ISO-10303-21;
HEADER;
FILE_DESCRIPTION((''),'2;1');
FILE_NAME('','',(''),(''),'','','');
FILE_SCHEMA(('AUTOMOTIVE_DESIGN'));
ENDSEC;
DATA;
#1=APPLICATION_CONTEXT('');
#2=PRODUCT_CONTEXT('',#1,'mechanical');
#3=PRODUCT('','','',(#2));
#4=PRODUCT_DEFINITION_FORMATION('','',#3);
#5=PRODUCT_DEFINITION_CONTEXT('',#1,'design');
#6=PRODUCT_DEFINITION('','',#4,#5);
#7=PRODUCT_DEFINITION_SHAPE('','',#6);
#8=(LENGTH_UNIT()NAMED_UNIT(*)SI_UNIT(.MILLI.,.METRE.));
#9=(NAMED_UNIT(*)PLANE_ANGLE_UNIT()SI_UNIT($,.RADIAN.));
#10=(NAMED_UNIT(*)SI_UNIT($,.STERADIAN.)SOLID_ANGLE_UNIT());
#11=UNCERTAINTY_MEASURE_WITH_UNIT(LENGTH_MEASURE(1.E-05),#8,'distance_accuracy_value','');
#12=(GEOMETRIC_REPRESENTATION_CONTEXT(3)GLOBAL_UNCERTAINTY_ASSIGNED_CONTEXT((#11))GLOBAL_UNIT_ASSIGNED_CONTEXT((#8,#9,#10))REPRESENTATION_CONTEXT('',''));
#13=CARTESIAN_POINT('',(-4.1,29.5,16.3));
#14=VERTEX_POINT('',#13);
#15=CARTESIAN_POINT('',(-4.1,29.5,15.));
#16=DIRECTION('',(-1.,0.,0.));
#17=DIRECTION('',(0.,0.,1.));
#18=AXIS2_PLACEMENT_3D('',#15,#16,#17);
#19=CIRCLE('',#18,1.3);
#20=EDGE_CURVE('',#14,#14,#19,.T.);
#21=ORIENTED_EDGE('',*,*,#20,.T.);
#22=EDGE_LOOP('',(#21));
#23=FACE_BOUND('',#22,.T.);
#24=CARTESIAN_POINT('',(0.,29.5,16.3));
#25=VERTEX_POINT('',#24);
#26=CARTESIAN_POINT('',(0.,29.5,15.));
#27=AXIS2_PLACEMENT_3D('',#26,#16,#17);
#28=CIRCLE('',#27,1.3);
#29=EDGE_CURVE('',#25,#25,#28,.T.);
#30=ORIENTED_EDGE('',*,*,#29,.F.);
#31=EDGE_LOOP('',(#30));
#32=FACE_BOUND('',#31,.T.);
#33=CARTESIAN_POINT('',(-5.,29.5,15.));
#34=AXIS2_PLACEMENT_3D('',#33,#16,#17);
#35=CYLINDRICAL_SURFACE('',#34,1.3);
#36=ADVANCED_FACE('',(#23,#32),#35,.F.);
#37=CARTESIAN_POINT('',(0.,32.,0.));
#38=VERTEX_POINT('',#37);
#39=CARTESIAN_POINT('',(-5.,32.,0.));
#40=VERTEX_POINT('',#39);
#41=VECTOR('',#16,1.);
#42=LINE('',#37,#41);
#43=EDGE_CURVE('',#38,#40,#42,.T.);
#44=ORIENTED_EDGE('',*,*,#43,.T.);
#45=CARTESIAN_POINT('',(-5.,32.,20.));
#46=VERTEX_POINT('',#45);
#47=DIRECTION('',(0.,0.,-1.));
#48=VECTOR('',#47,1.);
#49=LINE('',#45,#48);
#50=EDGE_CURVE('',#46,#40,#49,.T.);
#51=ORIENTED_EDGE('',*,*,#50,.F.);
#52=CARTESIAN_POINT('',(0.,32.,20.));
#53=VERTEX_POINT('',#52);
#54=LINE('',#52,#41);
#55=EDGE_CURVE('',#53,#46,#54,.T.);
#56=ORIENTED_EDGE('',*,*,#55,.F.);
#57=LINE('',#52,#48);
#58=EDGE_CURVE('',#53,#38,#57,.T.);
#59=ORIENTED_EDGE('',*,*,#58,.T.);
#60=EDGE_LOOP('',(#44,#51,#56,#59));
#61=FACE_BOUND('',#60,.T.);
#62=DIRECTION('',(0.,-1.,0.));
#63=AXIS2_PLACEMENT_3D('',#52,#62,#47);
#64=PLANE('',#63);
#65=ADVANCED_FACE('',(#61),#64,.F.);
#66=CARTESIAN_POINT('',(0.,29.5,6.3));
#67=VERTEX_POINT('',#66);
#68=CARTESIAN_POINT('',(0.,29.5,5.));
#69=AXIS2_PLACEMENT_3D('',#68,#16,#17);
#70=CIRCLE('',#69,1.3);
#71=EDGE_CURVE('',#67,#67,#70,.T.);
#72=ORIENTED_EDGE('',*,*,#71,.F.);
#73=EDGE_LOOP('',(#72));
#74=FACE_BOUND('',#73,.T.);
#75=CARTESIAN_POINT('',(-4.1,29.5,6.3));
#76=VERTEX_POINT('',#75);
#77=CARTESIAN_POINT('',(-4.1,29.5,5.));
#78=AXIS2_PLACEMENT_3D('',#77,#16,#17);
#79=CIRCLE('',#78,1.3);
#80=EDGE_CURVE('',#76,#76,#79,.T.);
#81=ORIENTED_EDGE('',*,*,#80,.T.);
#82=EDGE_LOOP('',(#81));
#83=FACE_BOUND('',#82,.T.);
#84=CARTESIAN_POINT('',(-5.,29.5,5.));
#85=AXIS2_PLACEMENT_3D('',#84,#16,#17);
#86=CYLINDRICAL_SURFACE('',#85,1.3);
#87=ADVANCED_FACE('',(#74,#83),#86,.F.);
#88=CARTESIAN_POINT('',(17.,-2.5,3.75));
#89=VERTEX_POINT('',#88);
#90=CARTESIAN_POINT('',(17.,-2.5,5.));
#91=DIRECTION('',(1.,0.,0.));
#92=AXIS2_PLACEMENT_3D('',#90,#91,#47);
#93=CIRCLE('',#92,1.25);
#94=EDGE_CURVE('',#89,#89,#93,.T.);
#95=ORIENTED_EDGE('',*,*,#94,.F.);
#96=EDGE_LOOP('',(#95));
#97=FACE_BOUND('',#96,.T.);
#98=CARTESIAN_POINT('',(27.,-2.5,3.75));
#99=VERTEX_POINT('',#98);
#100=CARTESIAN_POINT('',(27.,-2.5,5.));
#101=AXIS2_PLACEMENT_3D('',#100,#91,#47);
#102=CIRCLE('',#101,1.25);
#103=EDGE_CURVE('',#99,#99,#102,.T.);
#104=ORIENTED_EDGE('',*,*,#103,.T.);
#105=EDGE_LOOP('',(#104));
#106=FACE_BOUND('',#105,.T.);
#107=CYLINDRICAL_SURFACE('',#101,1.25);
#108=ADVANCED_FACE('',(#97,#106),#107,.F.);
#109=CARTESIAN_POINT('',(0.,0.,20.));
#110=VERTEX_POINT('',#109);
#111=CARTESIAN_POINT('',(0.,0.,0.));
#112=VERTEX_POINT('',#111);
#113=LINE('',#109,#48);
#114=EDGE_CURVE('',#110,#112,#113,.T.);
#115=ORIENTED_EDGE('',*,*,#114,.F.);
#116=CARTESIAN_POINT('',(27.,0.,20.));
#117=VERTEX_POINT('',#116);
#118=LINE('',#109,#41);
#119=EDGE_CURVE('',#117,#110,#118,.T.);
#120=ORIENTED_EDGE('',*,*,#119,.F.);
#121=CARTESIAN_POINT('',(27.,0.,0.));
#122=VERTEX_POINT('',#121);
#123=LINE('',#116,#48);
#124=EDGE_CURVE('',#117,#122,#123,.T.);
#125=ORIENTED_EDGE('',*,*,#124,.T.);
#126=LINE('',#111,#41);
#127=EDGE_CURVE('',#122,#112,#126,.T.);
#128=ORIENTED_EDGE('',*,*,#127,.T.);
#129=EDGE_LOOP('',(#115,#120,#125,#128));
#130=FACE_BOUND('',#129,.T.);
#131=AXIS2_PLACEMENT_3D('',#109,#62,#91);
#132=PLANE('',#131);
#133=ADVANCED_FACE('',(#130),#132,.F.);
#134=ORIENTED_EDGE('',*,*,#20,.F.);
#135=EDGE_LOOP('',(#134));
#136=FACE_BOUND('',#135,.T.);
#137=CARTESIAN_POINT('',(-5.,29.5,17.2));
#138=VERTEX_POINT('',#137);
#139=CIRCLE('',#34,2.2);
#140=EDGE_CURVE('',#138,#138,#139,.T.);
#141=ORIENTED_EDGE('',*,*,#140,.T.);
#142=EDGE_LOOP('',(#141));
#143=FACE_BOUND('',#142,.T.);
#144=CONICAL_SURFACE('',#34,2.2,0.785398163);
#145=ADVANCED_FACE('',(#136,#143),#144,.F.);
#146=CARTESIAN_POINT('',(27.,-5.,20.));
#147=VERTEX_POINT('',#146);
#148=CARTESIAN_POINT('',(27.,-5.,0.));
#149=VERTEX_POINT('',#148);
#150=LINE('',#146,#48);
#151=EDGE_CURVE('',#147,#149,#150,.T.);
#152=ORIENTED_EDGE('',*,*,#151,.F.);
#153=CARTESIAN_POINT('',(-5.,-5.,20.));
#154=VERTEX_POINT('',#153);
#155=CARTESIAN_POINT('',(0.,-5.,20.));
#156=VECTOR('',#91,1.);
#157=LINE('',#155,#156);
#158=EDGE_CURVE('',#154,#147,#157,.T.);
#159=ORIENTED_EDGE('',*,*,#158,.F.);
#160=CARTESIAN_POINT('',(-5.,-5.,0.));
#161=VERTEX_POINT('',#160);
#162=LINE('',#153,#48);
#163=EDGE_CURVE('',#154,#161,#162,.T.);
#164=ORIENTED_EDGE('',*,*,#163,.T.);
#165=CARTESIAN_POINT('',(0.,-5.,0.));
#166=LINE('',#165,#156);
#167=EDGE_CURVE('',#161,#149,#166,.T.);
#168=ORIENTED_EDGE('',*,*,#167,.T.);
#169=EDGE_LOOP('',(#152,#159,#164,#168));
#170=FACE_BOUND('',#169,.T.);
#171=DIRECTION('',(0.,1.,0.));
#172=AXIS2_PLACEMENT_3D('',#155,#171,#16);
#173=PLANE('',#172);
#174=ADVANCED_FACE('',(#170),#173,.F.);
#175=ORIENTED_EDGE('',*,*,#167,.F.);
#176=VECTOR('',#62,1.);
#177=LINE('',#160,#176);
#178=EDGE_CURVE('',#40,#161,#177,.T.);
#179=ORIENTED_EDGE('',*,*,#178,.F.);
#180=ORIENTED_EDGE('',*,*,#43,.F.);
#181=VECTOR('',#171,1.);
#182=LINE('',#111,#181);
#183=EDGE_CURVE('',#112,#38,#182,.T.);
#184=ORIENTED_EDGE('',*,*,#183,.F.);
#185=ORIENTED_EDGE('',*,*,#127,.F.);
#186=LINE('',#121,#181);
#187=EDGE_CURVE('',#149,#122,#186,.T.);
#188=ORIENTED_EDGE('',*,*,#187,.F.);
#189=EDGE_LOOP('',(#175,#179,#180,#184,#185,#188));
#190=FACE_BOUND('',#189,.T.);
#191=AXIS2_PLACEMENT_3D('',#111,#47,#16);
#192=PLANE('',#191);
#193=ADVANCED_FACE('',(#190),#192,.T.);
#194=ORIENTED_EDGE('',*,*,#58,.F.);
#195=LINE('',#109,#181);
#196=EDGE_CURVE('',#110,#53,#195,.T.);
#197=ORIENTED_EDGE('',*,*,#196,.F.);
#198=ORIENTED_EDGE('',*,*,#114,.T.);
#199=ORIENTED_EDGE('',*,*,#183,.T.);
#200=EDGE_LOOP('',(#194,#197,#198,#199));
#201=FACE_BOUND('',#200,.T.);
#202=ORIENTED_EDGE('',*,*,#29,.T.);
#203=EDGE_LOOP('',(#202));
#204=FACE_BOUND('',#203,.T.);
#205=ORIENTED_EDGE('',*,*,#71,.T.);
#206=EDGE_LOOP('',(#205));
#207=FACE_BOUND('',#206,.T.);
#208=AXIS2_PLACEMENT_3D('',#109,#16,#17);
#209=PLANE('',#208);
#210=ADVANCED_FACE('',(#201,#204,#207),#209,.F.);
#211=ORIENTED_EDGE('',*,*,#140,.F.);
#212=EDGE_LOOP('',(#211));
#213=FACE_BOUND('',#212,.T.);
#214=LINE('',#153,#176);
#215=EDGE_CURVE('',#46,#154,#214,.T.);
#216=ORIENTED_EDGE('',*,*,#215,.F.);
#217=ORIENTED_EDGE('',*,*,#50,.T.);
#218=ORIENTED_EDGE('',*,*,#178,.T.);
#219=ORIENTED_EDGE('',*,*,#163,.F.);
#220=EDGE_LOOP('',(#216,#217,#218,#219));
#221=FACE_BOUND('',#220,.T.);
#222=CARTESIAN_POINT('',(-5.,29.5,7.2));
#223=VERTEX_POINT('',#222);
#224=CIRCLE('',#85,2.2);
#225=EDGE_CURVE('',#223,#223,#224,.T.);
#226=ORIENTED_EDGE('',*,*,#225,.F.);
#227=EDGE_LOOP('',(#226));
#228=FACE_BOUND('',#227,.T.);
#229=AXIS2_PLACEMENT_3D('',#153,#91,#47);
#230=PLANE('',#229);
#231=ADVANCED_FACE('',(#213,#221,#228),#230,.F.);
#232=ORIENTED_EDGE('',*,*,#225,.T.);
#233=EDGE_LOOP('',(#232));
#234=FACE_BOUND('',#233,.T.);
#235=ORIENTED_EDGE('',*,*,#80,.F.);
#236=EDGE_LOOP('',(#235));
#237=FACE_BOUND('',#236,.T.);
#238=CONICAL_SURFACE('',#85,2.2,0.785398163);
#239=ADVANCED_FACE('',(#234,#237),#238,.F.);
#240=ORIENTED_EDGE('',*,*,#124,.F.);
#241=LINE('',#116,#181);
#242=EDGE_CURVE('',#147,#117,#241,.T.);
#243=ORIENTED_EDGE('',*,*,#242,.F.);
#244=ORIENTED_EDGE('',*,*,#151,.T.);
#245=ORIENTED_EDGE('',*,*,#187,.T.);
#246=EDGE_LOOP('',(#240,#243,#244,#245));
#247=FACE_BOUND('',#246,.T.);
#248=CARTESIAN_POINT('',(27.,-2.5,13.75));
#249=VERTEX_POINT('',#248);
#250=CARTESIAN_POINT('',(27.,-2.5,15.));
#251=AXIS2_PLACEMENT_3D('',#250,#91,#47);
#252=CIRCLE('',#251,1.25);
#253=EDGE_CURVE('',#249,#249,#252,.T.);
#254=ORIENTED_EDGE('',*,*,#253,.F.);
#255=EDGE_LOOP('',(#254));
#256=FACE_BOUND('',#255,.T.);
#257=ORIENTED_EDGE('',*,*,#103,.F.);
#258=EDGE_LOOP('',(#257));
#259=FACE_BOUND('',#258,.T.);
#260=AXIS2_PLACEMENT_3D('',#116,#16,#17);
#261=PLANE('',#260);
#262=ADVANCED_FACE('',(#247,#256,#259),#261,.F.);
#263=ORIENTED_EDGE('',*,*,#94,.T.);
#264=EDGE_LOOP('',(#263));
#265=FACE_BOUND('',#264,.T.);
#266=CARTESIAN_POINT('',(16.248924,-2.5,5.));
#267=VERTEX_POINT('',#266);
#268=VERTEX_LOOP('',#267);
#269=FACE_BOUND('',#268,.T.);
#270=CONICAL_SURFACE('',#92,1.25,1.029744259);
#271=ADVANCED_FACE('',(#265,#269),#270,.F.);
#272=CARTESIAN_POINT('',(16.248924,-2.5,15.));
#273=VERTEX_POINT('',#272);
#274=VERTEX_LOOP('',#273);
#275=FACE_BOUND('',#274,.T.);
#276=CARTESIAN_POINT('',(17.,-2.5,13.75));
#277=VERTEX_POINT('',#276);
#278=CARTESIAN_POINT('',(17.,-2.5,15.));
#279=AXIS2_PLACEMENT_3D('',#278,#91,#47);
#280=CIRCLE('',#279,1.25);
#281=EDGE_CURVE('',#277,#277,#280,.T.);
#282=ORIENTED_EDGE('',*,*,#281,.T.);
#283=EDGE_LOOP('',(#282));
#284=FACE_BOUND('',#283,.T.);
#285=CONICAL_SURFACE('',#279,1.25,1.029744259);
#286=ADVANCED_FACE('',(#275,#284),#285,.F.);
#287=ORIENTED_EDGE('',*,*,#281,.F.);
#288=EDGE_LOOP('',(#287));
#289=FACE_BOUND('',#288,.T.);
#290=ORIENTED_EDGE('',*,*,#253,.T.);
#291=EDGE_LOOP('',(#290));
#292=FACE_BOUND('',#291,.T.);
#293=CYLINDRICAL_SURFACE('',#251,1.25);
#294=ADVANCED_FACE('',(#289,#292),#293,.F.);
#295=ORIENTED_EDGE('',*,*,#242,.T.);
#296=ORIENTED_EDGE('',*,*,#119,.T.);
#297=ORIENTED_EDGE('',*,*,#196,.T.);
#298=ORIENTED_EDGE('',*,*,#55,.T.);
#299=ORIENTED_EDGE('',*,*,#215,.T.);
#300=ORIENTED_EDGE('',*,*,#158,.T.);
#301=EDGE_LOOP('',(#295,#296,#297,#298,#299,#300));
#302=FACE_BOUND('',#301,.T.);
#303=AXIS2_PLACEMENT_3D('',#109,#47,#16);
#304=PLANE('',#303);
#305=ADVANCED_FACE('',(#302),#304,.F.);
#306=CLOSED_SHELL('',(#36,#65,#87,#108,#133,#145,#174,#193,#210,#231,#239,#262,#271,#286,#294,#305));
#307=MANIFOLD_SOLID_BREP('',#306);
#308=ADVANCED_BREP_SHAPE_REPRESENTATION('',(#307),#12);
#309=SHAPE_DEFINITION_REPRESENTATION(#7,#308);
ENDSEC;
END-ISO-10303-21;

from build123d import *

# Parameters (mm, degrees)
BOSS_EXTRUDE_EQUERRE_DEPTH                     = 20
FRAISAGE_POUR_VIS_T_TE_FRAIS_E_M21_D           = 2.6
FRAISAGE_POUR_VIS_T_TE_FRAIS_E_M21_CSINK_D     = 4.4
FRAISAGE_POUR_VIS_T_TE_FRAIS_E_M21_CSINK_ANGLE = 90
TROU_TARAUD_M3X0_51_D                          = 2.5
TROU_TARAUD_M3X0_51_DEPTH                      = 10
TROU_TARAUD_M3X0_51_TIP                        = 0.751075774


with BuildPart() as part:
    # Esquisse1 → Boss_Extrude_Equerre (new body)
    with BuildSketch(Plane(origin=(0, 0, 0), x_dir=(0, 1, 0), z_dir=(0, 0, 1))):
        Polygon((0, 0), (32, 0), (32, 5), (-5, 5), (-5, 0), (-5, -27), (0, -27), align=None)
    extrude(amount=BOSS_EXTRUDE_EQUERRE_DEPTH)

    # Fraisage pour vis à tête fraisée M21 (through all)
    with Locations(Plane.ZY.offset(5)):
        with Locations((15, 29.5), (5, 29.5)):
            CounterSinkHole(FRAISAGE_POUR_VIS_T_TE_FRAIS_E_M21_D / 2, FRAISAGE_POUR_VIS_T_TE_FRAIS_E_M21_CSINK_D / 2, counter_sink_angle=FRAISAGE_POUR_VIS_T_TE_FRAIS_E_M21_CSINK_ANGLE)

    # Trou taraudé M3x0.51
    with Locations(Plane.YZ.offset(27)):
        with Locations((-2.5, 15), (-2.5, 5)):
            Hole(TROU_TARAUD_M3X0_51_D / 2, depth=TROU_TARAUD_M3X0_51_DEPTH)
            with Locations((0, 0, -(TROU_TARAUD_M3X0_51_DEPTH + TROU_TARAUD_M3X0_51_TIP / 2))):  # 118° drill point
                Cone(0, TROU_TARAUD_M3X0_51_D / 2, TROU_TARAUD_M3X0_51_TIP, mode=Mode.SUBTRACT)


solid = part.part
